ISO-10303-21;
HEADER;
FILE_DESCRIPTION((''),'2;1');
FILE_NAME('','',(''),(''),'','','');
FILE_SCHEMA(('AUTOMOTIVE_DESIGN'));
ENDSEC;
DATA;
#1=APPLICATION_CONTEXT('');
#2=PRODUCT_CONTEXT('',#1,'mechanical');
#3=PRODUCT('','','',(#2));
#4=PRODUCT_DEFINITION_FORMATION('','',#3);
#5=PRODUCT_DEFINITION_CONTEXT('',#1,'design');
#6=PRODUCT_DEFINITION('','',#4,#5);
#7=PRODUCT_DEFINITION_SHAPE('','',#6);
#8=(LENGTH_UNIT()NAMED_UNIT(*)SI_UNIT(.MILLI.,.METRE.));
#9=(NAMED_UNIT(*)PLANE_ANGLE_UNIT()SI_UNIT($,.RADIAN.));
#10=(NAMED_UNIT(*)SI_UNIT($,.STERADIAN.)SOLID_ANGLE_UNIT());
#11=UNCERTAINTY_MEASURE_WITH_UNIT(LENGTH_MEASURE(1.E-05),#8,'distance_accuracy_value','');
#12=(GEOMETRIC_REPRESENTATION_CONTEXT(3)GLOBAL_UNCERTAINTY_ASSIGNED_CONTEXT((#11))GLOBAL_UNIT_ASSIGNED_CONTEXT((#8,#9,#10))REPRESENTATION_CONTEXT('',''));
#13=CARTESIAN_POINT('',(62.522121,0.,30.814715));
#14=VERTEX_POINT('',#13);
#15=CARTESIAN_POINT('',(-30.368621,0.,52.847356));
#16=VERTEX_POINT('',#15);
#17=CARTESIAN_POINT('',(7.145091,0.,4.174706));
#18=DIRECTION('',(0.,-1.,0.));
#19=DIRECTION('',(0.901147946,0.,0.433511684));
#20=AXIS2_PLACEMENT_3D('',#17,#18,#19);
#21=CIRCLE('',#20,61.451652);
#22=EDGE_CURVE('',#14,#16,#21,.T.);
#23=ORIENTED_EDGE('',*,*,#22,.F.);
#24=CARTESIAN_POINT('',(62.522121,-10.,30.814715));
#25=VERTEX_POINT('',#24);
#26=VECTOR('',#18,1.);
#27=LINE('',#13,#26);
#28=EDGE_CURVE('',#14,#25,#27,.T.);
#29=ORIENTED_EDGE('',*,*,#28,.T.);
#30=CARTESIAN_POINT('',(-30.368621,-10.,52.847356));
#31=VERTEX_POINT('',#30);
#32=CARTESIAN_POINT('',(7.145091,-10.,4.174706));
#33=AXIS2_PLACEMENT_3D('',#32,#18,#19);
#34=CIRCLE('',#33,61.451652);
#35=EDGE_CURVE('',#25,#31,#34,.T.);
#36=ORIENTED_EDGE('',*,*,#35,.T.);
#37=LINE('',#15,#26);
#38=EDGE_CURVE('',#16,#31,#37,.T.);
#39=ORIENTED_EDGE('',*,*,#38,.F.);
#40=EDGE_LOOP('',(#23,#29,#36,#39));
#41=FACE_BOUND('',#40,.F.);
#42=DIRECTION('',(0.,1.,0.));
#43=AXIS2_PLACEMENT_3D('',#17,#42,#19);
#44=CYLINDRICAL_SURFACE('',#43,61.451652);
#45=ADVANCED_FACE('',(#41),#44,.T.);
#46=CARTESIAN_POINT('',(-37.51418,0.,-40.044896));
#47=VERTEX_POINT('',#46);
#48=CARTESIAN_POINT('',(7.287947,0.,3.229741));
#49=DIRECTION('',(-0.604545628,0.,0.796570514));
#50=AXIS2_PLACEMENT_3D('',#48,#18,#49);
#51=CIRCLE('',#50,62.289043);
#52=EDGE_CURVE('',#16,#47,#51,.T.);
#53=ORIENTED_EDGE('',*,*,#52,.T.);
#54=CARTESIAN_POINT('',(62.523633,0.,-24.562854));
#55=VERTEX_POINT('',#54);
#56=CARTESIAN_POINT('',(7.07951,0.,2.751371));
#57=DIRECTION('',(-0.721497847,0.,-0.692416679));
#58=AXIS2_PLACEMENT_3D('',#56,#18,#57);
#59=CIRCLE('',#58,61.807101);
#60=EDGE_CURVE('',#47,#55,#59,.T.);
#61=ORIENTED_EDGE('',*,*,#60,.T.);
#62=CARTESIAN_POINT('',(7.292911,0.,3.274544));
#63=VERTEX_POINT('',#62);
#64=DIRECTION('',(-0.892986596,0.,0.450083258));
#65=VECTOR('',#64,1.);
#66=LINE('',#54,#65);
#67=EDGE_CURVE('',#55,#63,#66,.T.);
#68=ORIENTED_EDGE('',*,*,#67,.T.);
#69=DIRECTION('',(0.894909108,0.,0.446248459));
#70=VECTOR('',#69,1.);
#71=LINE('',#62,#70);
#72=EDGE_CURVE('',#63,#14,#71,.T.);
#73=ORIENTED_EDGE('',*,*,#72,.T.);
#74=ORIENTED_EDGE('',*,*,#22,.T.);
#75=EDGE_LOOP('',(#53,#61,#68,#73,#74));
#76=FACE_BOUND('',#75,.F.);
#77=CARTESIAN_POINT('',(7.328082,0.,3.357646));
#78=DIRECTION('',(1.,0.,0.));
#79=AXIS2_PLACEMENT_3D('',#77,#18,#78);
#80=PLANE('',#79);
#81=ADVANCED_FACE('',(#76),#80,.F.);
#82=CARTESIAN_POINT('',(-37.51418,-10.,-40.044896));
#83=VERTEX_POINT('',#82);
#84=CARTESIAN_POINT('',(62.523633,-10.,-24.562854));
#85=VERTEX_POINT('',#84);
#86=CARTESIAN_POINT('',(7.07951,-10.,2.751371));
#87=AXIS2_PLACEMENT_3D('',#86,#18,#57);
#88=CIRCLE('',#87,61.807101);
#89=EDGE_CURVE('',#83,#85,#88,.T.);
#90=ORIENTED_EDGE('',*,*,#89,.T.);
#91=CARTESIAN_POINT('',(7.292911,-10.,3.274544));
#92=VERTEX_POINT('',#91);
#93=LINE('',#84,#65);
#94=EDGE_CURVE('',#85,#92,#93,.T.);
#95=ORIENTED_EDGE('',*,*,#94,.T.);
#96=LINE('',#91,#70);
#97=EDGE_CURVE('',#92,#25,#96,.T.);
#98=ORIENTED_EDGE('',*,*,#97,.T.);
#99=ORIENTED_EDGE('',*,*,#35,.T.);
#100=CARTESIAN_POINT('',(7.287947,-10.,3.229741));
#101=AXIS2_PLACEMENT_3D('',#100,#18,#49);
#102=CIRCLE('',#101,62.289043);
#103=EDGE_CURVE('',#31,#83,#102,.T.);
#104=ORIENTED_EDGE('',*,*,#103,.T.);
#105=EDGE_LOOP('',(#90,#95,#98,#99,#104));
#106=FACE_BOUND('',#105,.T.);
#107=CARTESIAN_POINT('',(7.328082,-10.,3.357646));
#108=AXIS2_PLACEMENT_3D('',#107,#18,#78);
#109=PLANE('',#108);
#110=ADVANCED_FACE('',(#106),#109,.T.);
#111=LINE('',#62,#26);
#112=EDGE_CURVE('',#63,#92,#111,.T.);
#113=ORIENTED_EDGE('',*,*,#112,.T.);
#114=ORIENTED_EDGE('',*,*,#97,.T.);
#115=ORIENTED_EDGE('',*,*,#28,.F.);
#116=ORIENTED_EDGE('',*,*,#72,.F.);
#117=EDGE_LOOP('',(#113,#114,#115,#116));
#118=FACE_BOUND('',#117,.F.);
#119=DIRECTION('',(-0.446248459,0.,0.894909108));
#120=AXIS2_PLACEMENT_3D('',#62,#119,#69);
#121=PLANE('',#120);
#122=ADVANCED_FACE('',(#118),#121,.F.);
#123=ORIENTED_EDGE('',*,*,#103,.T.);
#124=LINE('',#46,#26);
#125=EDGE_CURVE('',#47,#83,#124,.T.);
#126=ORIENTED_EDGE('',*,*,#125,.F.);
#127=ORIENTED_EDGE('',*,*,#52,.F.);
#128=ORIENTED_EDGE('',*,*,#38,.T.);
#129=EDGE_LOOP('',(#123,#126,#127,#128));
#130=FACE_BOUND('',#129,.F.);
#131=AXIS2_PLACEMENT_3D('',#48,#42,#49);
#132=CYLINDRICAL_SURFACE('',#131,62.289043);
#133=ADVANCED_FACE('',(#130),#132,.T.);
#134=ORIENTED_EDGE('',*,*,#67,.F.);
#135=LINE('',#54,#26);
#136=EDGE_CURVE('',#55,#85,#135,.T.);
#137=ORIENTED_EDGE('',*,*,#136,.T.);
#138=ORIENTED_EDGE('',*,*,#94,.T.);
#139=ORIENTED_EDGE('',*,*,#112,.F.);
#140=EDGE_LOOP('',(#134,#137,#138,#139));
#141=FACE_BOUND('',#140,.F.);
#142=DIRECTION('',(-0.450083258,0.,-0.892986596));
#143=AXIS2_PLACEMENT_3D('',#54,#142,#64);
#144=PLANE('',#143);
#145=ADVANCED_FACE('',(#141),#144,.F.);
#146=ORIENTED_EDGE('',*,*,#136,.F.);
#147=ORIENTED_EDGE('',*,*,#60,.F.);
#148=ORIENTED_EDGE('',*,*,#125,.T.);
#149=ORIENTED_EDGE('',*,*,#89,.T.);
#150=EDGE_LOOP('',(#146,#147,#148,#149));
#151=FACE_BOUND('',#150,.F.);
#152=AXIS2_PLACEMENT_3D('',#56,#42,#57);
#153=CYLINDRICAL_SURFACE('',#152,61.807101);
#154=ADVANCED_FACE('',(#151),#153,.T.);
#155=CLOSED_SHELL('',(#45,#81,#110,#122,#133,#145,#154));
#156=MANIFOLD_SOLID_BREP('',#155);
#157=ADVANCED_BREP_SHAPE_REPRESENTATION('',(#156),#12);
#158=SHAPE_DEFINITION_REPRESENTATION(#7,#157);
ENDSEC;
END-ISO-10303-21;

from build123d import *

# Parameters (mm, degrees)
F1_DEPTH = 10


with BuildPart() as f1:
    # F0 (on Front) → F1 (new body)
    with BuildSketch(Plane.XZ):
        with BuildLine():
            Line((7.292911, 3.274544), (62.522121, 30.814715))
            ThreePointArc((62.522121, 30.814715), (21.327258, 63.967445), (-30.368621, 52.847356))
            ThreePointArc((-30.368621, 52.847356), (-54.817622, 8.007093), (-37.51418, -40.044896))
            ThreePointArc((-37.51418, -40.044896), (16.53236, -58.328587), (62.523633, -24.562854))
            Line((62.523633, -24.562854), (7.292911, 3.274544))
        make_face()
    extrude(amount=F1_DEPTH)


solid = f1.part
